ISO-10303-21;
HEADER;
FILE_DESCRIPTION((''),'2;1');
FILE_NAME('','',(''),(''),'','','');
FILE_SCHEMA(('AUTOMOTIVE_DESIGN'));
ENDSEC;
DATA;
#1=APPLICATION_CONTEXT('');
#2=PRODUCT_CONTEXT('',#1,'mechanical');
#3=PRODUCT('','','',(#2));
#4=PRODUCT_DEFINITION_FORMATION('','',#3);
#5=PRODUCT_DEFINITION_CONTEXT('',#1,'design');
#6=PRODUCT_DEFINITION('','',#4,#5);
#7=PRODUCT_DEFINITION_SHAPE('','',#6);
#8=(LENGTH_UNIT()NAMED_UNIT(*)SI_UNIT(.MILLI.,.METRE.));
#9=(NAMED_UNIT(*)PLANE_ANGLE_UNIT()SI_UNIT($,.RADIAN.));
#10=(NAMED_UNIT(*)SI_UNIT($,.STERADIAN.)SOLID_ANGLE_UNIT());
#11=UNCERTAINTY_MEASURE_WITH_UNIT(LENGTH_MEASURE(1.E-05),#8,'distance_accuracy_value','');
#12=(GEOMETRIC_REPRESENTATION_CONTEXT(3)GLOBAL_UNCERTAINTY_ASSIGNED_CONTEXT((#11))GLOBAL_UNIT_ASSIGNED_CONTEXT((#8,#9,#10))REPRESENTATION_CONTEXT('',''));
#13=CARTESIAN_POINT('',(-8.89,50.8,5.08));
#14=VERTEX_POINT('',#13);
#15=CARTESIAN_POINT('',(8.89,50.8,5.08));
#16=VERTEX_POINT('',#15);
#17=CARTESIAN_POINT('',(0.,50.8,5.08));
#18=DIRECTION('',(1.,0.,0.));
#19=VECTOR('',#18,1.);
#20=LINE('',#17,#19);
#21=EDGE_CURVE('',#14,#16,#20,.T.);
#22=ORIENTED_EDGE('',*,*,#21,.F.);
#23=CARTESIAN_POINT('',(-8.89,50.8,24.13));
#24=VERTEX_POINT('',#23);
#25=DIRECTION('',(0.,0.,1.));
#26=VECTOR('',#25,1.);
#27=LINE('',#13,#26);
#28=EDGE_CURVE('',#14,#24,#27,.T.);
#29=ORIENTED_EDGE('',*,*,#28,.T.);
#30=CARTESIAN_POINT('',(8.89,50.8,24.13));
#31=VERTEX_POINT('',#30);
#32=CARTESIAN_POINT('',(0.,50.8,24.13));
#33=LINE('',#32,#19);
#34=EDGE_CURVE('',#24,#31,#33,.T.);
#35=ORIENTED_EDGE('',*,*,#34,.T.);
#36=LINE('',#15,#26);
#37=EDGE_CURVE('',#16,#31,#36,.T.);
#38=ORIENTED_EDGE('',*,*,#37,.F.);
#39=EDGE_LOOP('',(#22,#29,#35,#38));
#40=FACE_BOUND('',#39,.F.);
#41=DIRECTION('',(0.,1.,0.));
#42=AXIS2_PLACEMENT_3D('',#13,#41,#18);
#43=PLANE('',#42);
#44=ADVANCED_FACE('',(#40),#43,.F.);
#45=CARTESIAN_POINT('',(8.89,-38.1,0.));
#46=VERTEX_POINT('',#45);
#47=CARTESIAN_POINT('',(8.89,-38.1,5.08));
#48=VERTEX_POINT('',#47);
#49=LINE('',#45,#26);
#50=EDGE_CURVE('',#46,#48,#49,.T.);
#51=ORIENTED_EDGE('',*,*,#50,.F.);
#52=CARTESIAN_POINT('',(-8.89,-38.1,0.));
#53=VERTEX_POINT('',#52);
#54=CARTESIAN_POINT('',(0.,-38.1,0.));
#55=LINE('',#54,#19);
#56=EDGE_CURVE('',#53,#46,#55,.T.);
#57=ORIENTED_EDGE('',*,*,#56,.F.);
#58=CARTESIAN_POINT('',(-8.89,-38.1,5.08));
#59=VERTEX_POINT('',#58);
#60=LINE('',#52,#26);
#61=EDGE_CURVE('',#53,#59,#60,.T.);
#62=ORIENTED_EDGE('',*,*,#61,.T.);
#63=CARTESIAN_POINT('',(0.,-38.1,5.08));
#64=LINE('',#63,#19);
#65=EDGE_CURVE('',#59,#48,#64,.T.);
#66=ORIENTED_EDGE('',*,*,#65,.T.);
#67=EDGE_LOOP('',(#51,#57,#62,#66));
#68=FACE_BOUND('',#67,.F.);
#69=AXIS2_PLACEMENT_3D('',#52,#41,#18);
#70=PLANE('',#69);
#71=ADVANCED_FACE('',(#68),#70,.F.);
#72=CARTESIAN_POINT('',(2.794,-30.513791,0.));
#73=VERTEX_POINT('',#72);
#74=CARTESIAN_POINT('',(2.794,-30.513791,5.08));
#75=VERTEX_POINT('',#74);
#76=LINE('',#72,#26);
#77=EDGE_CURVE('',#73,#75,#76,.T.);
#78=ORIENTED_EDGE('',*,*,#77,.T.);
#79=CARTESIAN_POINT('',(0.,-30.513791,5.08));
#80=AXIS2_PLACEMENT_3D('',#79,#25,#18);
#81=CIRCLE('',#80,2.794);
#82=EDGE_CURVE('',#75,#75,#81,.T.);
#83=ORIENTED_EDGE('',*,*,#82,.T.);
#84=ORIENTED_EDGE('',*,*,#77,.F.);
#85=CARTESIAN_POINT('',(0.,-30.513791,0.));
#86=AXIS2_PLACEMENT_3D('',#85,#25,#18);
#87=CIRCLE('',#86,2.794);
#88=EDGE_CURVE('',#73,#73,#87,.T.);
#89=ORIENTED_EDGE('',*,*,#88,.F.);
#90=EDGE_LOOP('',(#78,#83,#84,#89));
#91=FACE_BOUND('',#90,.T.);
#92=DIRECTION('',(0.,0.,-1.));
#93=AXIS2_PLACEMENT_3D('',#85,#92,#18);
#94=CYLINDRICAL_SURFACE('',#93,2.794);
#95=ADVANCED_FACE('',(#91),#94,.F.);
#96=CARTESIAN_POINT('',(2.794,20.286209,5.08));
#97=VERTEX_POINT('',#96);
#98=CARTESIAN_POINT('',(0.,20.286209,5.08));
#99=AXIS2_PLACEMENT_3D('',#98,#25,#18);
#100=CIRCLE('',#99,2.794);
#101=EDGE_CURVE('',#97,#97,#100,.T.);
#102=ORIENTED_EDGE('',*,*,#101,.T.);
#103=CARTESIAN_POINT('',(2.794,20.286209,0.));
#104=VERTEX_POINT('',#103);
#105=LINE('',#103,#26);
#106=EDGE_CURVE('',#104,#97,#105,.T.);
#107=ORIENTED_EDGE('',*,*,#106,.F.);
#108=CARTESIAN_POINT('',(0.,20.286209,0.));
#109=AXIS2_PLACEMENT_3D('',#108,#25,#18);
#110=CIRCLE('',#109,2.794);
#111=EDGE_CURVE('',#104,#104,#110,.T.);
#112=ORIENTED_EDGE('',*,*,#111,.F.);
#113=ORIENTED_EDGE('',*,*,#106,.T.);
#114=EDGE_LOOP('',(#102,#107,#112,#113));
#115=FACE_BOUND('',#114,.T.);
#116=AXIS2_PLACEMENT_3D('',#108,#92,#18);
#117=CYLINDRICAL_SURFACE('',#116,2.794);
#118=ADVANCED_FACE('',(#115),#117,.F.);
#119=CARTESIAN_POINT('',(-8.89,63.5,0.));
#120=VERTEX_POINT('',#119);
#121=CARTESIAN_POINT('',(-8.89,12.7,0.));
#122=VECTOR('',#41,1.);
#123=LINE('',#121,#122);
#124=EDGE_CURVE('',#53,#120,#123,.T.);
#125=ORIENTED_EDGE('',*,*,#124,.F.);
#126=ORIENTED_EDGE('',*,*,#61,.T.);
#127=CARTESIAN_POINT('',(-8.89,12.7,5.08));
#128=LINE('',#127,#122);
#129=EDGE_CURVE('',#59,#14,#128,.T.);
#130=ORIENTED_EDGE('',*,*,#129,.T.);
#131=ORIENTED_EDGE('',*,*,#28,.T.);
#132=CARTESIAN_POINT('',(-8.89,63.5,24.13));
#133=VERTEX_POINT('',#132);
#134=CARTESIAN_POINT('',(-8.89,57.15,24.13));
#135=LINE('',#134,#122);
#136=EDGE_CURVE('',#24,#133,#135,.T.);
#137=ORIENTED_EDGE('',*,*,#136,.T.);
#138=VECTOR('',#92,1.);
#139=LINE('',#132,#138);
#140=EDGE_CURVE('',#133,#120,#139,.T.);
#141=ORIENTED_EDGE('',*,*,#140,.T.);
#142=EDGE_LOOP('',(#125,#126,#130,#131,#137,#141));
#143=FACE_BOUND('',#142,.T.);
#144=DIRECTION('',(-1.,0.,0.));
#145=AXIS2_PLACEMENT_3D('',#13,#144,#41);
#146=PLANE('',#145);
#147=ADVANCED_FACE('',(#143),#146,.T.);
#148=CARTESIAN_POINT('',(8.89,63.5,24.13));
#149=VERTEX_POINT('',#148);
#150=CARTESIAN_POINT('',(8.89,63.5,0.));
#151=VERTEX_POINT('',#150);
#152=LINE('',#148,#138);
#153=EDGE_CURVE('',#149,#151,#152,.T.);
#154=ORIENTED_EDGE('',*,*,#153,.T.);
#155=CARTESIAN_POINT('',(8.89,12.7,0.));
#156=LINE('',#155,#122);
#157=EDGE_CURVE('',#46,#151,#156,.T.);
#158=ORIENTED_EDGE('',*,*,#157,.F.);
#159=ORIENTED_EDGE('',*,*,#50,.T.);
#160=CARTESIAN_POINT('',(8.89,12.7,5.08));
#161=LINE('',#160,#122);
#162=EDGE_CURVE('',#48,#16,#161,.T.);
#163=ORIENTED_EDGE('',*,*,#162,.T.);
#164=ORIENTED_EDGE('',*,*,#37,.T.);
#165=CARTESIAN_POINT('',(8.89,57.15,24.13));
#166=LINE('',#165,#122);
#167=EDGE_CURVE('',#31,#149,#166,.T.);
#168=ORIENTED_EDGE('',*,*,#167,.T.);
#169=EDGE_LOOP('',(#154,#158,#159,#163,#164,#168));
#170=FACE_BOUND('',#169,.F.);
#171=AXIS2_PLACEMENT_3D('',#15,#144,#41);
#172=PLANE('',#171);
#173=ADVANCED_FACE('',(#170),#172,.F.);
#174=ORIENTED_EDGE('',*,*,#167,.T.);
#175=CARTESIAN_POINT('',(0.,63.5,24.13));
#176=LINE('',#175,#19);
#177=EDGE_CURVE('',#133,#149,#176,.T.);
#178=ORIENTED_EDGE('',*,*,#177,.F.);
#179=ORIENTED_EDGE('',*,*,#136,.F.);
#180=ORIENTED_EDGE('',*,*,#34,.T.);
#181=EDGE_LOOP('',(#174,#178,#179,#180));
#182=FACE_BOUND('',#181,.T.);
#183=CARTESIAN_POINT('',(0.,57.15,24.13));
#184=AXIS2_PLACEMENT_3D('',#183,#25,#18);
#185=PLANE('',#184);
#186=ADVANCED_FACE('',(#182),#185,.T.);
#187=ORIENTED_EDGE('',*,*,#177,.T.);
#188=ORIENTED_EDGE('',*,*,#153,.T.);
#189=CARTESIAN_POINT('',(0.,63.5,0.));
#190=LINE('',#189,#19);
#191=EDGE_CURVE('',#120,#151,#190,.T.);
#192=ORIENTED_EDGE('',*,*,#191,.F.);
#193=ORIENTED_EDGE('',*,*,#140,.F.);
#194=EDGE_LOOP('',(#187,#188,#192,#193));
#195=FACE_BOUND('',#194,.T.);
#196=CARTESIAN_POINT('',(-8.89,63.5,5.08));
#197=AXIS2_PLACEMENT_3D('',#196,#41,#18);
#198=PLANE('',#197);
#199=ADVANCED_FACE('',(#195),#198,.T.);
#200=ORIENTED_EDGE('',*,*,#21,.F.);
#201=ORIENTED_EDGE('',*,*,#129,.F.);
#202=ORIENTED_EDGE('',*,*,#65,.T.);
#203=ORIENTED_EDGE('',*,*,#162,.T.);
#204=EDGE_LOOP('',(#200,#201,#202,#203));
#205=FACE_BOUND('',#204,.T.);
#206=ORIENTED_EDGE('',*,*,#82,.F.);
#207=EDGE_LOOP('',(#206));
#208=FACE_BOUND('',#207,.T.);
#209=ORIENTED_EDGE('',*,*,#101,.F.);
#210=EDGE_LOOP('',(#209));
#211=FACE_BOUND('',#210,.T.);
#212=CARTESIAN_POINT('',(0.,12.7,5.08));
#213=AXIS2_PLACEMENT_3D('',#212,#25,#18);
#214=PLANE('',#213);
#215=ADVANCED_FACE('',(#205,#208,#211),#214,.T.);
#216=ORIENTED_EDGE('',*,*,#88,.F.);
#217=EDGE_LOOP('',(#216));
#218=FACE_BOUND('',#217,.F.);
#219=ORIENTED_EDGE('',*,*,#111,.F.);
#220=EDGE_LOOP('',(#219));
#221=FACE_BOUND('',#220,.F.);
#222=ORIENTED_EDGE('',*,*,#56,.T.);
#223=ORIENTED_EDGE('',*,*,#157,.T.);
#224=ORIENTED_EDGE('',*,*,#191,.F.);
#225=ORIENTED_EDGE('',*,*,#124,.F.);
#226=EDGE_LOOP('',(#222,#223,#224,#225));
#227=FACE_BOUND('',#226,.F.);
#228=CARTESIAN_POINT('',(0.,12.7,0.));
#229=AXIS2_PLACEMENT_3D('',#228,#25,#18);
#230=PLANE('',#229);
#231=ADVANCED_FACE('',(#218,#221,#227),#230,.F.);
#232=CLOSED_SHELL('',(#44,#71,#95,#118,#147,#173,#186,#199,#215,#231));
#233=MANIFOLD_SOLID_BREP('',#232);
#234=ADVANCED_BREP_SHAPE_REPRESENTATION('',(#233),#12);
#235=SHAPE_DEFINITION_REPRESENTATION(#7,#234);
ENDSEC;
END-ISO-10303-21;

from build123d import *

# Parameters (mm, degrees)
F0_W     = 17.78
F0_H     = 101.6
F0_R     = 2.794
F1_DEPTH = 5.08
F2_W     = 17.78
F2_H     = 12.7
F3_DEPTH = 19.05


with BuildPart() as f1:
    # F0 (on Top) → F1 (new body)
    with BuildSketch(Plane.XY):
        with Locations((0, 12.7)):
            Rectangle(F0_W, F0_H)
        with Locations((0, -30.513791)):
            Circle(F0_R, mode=Mode.SUBTRACT)
        with Locations((0, 20.286209)):
            Circle(F0_R, mode=Mode.SUBTRACT)
    extrude(amount=F1_DEPTH)

    # F2 (on face) → F3 (join)
    with BuildSketch(Plane.XY.offset(5.08)):
        with Locations((0, 57.15)):
            Rectangle(F2_W, F2_H)
    extrude(amount=F3_DEPTH)


solid = f1.part
